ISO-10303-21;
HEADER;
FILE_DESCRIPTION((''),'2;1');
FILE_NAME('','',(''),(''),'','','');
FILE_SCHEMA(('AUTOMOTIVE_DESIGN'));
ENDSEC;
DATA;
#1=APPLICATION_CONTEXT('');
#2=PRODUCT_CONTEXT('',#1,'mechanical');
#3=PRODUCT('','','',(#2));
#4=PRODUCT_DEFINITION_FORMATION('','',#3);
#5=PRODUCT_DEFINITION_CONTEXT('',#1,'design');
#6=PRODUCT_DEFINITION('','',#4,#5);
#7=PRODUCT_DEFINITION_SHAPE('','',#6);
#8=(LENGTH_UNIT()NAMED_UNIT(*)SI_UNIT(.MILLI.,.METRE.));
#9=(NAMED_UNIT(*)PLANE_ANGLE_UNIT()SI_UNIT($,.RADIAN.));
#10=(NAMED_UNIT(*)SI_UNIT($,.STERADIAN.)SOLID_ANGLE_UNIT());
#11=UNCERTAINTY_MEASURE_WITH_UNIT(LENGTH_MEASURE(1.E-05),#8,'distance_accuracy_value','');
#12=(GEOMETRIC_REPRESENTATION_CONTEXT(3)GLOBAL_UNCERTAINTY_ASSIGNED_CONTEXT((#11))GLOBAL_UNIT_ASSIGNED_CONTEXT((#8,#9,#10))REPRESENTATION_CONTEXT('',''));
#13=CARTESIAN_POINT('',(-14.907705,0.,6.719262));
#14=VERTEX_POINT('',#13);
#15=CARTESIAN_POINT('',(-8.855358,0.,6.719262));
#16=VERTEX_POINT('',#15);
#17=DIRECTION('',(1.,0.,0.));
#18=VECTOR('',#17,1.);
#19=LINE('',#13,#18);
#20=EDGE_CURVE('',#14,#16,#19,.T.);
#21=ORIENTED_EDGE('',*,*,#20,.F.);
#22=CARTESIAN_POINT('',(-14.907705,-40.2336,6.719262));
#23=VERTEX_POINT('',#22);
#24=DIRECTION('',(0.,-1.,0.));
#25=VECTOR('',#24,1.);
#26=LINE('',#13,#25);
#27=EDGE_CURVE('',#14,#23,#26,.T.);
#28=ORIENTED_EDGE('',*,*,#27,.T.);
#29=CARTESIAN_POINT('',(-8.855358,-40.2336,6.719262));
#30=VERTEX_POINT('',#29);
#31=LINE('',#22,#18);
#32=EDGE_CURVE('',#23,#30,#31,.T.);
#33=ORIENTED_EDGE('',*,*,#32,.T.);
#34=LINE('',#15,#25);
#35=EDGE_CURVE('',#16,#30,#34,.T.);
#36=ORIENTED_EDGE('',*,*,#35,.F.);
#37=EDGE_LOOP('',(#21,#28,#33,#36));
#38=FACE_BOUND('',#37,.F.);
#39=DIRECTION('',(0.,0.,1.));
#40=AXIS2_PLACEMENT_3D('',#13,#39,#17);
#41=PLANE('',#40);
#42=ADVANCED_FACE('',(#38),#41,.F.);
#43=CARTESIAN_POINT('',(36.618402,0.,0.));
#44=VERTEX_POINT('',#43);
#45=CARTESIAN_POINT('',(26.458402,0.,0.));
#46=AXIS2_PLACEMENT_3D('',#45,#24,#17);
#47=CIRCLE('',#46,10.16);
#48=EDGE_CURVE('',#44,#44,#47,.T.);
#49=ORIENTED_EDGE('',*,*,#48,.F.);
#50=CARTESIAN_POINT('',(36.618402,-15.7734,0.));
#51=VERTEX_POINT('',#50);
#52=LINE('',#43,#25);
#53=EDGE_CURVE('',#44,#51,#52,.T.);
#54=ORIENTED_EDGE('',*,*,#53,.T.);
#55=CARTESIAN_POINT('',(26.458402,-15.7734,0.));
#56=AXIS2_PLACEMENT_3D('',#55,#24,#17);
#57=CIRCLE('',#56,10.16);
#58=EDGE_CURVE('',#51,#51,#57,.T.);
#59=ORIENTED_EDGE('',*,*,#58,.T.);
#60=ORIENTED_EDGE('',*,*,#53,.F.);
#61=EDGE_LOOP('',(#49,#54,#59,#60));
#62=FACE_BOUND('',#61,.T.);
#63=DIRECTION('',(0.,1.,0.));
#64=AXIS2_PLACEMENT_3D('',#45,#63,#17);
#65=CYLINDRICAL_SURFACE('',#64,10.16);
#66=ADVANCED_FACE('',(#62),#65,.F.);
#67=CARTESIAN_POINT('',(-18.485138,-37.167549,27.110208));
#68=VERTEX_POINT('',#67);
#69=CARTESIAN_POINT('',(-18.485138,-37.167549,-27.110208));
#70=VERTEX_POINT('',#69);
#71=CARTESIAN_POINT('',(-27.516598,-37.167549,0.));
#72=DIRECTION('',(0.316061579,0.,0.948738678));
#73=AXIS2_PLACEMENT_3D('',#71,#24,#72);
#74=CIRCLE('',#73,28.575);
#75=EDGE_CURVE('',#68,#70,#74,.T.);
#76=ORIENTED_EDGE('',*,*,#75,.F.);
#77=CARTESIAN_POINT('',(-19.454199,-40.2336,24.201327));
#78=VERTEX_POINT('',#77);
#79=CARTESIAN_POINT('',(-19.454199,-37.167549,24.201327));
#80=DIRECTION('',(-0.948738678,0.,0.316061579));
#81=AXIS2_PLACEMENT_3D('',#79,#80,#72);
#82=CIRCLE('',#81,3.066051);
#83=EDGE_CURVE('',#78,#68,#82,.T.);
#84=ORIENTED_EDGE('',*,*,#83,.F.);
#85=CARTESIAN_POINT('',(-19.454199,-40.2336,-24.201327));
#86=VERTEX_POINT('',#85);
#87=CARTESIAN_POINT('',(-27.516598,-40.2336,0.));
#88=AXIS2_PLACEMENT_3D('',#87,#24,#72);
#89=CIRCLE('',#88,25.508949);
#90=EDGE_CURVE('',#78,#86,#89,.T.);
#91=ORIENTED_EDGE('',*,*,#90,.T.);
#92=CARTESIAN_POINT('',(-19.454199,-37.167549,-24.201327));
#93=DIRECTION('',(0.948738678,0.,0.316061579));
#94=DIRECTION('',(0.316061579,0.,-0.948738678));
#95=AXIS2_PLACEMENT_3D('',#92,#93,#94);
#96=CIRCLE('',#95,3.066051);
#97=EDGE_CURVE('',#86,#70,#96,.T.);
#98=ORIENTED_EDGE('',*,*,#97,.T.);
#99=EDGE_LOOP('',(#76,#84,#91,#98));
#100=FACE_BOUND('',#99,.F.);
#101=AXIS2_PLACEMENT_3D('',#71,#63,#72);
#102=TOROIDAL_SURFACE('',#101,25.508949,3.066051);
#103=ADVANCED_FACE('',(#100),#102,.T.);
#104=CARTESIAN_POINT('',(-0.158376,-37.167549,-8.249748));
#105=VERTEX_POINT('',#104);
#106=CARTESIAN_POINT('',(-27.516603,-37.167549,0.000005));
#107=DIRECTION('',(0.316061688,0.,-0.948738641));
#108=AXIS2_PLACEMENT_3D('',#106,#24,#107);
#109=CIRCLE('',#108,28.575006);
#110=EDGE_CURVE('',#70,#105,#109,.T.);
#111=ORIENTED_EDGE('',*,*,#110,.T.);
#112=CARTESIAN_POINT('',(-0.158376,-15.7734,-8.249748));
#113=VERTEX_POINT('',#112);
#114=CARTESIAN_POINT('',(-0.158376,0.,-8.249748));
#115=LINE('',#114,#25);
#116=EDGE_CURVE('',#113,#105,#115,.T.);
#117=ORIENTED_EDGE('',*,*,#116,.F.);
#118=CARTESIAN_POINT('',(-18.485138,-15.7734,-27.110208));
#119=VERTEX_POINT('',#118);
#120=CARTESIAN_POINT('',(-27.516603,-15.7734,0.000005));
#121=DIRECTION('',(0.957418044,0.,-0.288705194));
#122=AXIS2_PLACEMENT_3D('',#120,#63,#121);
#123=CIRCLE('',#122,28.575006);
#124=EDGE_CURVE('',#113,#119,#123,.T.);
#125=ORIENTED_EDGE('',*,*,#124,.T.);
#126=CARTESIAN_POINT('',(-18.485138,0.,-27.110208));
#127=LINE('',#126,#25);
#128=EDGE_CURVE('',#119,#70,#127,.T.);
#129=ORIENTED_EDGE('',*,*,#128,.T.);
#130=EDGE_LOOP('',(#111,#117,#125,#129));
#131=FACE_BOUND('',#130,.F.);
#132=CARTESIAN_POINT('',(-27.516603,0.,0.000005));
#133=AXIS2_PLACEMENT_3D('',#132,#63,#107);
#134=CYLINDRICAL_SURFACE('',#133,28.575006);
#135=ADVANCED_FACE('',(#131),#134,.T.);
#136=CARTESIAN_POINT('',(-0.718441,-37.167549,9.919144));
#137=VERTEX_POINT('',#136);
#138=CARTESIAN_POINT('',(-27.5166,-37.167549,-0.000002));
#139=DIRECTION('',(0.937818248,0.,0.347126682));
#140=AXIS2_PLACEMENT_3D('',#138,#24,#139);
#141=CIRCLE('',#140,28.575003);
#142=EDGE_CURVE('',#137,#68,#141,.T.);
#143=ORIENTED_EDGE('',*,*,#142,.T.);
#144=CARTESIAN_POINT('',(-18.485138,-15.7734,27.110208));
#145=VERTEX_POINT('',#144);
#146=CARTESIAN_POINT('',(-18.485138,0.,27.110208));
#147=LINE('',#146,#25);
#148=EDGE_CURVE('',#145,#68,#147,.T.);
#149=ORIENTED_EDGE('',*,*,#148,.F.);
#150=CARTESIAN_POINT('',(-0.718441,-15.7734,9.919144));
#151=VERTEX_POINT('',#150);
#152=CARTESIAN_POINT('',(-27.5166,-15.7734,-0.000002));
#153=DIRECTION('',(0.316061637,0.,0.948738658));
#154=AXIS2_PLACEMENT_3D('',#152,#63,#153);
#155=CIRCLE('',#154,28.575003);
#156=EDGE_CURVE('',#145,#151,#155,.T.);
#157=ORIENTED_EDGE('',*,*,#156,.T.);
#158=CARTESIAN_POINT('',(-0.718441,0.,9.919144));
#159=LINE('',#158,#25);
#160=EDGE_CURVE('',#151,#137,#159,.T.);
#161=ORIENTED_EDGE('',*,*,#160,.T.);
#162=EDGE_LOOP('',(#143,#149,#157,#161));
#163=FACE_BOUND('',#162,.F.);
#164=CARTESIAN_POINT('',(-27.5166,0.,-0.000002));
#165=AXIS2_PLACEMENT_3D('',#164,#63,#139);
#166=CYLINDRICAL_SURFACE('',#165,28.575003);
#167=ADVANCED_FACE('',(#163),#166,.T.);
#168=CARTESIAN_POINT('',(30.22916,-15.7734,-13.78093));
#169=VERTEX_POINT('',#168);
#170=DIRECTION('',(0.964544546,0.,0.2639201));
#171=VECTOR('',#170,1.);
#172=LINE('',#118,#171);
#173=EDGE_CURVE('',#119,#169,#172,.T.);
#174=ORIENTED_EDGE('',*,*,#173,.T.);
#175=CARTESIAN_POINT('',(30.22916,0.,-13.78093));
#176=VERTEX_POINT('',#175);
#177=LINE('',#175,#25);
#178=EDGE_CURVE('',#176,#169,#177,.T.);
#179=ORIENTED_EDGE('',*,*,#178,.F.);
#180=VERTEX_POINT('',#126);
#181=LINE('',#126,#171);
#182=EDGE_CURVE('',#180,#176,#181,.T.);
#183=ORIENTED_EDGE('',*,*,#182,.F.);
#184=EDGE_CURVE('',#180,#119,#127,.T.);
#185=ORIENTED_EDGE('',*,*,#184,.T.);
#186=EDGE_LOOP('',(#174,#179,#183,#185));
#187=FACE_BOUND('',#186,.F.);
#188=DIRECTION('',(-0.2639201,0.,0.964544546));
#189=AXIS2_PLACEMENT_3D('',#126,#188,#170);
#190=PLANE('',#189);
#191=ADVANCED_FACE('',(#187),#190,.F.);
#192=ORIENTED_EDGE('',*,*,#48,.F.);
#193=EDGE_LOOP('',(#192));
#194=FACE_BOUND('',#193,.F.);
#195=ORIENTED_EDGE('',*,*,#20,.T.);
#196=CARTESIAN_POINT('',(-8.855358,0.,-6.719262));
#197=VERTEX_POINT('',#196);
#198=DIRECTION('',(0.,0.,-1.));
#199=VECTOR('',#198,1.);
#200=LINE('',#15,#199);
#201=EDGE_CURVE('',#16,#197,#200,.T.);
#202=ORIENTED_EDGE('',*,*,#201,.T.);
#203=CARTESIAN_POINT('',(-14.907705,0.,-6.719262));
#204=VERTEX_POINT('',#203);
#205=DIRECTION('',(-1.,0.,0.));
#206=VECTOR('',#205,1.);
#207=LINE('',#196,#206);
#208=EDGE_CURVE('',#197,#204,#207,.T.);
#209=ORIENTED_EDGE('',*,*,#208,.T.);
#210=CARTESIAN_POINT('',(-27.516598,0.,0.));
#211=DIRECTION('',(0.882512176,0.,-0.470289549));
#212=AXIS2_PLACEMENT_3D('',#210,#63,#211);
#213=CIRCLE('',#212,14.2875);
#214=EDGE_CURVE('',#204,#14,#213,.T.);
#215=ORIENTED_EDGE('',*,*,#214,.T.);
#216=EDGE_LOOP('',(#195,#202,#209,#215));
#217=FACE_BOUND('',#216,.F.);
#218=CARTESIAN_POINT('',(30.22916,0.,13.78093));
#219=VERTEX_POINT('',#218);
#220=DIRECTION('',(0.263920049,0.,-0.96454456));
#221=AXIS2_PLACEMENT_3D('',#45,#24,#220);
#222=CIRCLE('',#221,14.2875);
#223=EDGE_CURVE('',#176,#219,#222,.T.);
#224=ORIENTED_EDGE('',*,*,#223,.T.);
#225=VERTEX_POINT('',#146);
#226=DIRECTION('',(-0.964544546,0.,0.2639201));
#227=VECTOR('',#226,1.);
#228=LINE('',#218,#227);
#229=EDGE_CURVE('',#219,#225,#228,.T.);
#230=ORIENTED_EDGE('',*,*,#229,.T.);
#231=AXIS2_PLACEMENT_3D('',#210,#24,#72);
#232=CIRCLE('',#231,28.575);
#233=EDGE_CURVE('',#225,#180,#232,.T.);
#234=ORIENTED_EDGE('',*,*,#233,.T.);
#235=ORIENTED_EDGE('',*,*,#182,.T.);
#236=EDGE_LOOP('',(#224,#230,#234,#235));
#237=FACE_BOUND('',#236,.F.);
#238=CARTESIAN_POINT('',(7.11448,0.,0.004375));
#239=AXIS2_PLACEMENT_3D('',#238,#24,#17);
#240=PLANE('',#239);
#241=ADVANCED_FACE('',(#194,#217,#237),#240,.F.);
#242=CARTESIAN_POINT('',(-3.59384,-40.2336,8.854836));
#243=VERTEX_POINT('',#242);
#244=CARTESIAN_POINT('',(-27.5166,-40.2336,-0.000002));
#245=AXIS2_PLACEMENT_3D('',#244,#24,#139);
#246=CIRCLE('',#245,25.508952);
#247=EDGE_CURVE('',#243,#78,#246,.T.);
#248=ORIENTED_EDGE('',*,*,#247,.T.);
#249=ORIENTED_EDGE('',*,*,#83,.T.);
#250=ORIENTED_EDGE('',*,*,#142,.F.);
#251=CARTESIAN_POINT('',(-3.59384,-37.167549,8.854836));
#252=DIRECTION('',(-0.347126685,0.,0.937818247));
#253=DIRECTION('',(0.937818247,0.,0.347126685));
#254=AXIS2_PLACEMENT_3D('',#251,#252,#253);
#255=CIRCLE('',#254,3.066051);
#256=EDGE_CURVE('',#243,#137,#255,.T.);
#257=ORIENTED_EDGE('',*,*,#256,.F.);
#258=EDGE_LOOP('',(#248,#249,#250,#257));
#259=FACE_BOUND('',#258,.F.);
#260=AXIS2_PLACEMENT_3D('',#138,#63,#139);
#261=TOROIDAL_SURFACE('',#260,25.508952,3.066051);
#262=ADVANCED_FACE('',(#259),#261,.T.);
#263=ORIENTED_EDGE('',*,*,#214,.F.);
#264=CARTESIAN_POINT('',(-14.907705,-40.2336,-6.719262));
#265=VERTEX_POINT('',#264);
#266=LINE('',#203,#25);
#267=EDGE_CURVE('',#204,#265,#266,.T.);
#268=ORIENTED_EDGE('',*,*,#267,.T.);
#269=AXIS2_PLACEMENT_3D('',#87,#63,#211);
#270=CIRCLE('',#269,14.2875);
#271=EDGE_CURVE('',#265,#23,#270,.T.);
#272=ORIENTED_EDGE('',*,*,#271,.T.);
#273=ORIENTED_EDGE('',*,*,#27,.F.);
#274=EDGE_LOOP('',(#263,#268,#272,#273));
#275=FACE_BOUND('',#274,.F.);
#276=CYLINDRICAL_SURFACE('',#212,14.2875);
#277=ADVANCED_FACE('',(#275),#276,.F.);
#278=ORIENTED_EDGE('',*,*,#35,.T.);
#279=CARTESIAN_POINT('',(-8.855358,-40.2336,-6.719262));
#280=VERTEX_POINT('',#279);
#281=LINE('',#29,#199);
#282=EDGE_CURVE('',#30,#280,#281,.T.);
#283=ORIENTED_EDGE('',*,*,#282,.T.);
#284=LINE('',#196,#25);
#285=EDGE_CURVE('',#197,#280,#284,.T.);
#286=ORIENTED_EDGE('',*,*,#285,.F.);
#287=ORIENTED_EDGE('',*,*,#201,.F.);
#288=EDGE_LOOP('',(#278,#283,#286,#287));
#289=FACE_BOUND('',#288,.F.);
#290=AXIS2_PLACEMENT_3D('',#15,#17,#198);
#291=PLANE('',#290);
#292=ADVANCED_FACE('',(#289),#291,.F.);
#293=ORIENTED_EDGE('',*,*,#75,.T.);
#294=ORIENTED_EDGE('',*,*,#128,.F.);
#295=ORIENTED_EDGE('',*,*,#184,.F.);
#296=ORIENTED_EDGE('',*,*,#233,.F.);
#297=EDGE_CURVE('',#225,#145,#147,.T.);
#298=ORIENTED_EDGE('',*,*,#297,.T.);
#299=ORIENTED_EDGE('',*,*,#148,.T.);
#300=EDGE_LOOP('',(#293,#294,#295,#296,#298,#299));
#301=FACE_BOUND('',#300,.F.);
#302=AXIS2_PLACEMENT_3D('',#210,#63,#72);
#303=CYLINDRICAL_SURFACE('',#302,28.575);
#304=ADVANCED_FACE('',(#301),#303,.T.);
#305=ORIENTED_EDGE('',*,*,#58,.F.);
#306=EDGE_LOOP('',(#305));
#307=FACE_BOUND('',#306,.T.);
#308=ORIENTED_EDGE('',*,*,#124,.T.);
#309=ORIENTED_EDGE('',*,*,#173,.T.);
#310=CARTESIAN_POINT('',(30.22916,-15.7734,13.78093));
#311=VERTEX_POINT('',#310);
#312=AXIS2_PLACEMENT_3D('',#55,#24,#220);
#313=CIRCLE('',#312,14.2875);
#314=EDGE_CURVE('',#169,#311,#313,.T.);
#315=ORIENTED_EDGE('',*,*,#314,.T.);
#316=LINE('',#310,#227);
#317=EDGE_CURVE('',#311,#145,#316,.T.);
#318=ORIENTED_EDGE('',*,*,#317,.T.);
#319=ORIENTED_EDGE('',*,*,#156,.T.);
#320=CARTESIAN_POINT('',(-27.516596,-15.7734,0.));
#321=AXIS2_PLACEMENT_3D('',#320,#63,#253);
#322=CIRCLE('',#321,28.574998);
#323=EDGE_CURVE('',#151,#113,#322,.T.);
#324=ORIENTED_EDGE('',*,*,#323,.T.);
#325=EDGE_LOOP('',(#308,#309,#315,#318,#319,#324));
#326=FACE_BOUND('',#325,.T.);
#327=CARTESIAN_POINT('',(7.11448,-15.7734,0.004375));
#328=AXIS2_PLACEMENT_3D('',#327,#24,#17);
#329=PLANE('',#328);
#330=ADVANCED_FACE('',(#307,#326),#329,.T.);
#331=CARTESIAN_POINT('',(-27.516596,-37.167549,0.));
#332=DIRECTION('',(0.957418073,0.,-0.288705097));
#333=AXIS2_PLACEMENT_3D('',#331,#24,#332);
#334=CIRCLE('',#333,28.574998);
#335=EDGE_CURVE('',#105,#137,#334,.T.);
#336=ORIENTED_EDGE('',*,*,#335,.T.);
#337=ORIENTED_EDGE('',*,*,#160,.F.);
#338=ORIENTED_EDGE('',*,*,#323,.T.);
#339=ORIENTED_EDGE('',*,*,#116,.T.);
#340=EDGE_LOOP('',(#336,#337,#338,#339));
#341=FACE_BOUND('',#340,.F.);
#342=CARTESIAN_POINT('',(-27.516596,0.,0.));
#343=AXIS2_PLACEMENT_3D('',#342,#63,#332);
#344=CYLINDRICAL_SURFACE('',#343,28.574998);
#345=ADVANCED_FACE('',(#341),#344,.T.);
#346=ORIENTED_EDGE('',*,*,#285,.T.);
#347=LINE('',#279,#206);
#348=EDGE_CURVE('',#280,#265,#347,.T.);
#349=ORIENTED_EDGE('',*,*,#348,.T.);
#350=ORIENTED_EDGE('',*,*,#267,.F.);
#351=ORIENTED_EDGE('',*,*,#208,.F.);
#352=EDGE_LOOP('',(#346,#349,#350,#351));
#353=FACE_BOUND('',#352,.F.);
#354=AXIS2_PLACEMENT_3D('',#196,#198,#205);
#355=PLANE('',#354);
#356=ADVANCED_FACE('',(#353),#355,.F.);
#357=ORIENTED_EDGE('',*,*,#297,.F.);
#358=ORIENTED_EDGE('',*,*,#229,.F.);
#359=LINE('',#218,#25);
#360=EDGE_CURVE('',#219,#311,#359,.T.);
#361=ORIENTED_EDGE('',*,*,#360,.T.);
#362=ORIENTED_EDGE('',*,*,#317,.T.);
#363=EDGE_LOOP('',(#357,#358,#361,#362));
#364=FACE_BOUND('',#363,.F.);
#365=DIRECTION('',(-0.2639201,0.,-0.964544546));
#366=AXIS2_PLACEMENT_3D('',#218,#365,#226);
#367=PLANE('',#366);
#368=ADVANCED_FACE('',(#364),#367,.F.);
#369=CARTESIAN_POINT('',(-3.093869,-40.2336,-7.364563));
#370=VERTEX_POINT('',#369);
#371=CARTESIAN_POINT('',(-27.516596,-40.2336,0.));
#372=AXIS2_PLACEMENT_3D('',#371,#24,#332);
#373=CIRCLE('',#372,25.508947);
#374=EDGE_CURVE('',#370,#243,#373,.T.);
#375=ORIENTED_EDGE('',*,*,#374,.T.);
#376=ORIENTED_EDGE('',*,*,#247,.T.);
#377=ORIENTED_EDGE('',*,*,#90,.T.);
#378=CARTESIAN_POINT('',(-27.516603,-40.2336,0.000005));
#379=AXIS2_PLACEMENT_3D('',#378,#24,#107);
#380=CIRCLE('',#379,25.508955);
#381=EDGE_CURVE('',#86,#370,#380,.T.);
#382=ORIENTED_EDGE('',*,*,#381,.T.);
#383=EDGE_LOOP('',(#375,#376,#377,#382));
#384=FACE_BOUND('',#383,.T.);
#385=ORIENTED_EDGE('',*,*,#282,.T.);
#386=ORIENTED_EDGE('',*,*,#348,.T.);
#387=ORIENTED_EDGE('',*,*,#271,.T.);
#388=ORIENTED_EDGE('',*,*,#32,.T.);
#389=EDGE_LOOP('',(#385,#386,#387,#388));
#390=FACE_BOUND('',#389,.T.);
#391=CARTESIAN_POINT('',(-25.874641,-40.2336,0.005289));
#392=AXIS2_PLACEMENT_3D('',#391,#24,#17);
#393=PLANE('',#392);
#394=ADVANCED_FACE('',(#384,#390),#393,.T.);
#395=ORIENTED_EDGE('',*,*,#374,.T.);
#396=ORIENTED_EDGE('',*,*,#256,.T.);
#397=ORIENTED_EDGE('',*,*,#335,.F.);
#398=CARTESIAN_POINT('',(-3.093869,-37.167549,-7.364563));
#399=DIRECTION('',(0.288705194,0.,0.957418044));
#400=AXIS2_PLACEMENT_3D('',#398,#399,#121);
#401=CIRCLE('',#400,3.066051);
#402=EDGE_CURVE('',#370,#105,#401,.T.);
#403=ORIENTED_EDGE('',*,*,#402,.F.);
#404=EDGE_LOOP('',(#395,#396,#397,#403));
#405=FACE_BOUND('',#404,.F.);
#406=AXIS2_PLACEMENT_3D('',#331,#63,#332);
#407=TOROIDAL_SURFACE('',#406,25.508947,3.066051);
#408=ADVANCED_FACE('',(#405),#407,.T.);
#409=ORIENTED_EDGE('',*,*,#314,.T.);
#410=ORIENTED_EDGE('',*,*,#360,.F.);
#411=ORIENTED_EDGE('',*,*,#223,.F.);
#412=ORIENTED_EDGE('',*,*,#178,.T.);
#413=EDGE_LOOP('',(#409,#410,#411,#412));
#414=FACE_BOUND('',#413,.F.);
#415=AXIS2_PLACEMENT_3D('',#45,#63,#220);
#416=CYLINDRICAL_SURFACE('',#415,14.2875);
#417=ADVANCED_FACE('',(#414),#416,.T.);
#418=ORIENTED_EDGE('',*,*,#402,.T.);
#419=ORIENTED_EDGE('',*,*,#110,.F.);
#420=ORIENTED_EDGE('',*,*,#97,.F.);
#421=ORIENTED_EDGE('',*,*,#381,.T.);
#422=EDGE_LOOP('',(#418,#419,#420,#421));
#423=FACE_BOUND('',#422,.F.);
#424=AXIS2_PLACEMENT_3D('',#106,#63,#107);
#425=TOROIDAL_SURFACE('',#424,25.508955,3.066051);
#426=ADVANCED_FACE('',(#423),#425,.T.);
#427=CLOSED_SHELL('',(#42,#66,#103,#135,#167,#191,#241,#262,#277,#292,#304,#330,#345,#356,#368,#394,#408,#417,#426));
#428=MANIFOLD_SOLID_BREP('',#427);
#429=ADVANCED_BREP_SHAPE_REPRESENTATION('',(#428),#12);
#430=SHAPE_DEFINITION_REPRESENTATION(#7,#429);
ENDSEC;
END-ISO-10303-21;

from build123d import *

# Parameters (mm, degrees)
F0_R     = 10.16
F1_DEPTH = 15.7734
F2_DEPTH = 40.2336
F3_R     = 3.066051


with BuildPart() as f1:
    # F0 (on Front) → F1 (new body)
    with BuildSketch(Plane.XZ):
        with BuildLine():
            ThreePointArc((-18.485138, 27.110208), (-7.646431, 20.535508), (-0.718441, 9.919144))
            ThreePointArc((-0.718441, 9.919144), (1.044836, 0.88042), (-0.158376, -8.249748))
            ThreePointArc((-0.158376, -8.249748), (-7.023149, -19.913542), (-18.485138, -27.110208))
            Line((-18.485138, -27.110208), (30.22916, -13.78093))
            ThreePointArc((30.22916, -13.78093), (40.745902, 0), (30.22916, 13.78093))
            Line((30.22916, 13.78093), (-18.485138, 27.110208))
        make_face()
        with Locations((26.458402, 0)):
            Circle(F0_R, mode=Mode.SUBTRACT)
    extrude(amount=F1_DEPTH)

    # F0 (on Front) → F2 (join)
    with BuildSketch(Plane.XZ):
        with BuildLine():
            ThreePointArc((-0.158376, -8.249748), (1.044836, 0.88042), (-0.718441, 9.919144))
            ThreePointArc((-0.718441, 9.919144), (-7.646431, 20.535508), (-18.485138, 27.110208))
            ThreePointArc((-18.485138, 27.110208), (-56.091598, 0), (-18.485138, -27.110208))
            ThreePointArc((-18.485138, -27.110208), (-7.023149, -19.913542), (-0.158376, -8.249748))
        make_face()
        with BuildLine():
            ThreePointArc((-14.907705, -6.719262), (-41.804098, 0), (-14.907705, 6.719262))
            Line((-14.907705, 6.719262), (-8.855358, 6.719262))
            Line((-8.855358, 6.719262), (-8.855358, -6.719262))
            Line((-8.855358, -6.719262), (-14.907705, -6.719262))
        make_face(mode=Mode.SUBTRACT)
    extrude(amount=F2_DEPTH)

    # F3
    f3_edges = [f1.edges().sort_by_distance(p)[0] for p in [
        (-36.548058, -40.2336, 27.110208),
    ]]
    fillet(f3_edges, radius=F3_R)


solid = f1.part
